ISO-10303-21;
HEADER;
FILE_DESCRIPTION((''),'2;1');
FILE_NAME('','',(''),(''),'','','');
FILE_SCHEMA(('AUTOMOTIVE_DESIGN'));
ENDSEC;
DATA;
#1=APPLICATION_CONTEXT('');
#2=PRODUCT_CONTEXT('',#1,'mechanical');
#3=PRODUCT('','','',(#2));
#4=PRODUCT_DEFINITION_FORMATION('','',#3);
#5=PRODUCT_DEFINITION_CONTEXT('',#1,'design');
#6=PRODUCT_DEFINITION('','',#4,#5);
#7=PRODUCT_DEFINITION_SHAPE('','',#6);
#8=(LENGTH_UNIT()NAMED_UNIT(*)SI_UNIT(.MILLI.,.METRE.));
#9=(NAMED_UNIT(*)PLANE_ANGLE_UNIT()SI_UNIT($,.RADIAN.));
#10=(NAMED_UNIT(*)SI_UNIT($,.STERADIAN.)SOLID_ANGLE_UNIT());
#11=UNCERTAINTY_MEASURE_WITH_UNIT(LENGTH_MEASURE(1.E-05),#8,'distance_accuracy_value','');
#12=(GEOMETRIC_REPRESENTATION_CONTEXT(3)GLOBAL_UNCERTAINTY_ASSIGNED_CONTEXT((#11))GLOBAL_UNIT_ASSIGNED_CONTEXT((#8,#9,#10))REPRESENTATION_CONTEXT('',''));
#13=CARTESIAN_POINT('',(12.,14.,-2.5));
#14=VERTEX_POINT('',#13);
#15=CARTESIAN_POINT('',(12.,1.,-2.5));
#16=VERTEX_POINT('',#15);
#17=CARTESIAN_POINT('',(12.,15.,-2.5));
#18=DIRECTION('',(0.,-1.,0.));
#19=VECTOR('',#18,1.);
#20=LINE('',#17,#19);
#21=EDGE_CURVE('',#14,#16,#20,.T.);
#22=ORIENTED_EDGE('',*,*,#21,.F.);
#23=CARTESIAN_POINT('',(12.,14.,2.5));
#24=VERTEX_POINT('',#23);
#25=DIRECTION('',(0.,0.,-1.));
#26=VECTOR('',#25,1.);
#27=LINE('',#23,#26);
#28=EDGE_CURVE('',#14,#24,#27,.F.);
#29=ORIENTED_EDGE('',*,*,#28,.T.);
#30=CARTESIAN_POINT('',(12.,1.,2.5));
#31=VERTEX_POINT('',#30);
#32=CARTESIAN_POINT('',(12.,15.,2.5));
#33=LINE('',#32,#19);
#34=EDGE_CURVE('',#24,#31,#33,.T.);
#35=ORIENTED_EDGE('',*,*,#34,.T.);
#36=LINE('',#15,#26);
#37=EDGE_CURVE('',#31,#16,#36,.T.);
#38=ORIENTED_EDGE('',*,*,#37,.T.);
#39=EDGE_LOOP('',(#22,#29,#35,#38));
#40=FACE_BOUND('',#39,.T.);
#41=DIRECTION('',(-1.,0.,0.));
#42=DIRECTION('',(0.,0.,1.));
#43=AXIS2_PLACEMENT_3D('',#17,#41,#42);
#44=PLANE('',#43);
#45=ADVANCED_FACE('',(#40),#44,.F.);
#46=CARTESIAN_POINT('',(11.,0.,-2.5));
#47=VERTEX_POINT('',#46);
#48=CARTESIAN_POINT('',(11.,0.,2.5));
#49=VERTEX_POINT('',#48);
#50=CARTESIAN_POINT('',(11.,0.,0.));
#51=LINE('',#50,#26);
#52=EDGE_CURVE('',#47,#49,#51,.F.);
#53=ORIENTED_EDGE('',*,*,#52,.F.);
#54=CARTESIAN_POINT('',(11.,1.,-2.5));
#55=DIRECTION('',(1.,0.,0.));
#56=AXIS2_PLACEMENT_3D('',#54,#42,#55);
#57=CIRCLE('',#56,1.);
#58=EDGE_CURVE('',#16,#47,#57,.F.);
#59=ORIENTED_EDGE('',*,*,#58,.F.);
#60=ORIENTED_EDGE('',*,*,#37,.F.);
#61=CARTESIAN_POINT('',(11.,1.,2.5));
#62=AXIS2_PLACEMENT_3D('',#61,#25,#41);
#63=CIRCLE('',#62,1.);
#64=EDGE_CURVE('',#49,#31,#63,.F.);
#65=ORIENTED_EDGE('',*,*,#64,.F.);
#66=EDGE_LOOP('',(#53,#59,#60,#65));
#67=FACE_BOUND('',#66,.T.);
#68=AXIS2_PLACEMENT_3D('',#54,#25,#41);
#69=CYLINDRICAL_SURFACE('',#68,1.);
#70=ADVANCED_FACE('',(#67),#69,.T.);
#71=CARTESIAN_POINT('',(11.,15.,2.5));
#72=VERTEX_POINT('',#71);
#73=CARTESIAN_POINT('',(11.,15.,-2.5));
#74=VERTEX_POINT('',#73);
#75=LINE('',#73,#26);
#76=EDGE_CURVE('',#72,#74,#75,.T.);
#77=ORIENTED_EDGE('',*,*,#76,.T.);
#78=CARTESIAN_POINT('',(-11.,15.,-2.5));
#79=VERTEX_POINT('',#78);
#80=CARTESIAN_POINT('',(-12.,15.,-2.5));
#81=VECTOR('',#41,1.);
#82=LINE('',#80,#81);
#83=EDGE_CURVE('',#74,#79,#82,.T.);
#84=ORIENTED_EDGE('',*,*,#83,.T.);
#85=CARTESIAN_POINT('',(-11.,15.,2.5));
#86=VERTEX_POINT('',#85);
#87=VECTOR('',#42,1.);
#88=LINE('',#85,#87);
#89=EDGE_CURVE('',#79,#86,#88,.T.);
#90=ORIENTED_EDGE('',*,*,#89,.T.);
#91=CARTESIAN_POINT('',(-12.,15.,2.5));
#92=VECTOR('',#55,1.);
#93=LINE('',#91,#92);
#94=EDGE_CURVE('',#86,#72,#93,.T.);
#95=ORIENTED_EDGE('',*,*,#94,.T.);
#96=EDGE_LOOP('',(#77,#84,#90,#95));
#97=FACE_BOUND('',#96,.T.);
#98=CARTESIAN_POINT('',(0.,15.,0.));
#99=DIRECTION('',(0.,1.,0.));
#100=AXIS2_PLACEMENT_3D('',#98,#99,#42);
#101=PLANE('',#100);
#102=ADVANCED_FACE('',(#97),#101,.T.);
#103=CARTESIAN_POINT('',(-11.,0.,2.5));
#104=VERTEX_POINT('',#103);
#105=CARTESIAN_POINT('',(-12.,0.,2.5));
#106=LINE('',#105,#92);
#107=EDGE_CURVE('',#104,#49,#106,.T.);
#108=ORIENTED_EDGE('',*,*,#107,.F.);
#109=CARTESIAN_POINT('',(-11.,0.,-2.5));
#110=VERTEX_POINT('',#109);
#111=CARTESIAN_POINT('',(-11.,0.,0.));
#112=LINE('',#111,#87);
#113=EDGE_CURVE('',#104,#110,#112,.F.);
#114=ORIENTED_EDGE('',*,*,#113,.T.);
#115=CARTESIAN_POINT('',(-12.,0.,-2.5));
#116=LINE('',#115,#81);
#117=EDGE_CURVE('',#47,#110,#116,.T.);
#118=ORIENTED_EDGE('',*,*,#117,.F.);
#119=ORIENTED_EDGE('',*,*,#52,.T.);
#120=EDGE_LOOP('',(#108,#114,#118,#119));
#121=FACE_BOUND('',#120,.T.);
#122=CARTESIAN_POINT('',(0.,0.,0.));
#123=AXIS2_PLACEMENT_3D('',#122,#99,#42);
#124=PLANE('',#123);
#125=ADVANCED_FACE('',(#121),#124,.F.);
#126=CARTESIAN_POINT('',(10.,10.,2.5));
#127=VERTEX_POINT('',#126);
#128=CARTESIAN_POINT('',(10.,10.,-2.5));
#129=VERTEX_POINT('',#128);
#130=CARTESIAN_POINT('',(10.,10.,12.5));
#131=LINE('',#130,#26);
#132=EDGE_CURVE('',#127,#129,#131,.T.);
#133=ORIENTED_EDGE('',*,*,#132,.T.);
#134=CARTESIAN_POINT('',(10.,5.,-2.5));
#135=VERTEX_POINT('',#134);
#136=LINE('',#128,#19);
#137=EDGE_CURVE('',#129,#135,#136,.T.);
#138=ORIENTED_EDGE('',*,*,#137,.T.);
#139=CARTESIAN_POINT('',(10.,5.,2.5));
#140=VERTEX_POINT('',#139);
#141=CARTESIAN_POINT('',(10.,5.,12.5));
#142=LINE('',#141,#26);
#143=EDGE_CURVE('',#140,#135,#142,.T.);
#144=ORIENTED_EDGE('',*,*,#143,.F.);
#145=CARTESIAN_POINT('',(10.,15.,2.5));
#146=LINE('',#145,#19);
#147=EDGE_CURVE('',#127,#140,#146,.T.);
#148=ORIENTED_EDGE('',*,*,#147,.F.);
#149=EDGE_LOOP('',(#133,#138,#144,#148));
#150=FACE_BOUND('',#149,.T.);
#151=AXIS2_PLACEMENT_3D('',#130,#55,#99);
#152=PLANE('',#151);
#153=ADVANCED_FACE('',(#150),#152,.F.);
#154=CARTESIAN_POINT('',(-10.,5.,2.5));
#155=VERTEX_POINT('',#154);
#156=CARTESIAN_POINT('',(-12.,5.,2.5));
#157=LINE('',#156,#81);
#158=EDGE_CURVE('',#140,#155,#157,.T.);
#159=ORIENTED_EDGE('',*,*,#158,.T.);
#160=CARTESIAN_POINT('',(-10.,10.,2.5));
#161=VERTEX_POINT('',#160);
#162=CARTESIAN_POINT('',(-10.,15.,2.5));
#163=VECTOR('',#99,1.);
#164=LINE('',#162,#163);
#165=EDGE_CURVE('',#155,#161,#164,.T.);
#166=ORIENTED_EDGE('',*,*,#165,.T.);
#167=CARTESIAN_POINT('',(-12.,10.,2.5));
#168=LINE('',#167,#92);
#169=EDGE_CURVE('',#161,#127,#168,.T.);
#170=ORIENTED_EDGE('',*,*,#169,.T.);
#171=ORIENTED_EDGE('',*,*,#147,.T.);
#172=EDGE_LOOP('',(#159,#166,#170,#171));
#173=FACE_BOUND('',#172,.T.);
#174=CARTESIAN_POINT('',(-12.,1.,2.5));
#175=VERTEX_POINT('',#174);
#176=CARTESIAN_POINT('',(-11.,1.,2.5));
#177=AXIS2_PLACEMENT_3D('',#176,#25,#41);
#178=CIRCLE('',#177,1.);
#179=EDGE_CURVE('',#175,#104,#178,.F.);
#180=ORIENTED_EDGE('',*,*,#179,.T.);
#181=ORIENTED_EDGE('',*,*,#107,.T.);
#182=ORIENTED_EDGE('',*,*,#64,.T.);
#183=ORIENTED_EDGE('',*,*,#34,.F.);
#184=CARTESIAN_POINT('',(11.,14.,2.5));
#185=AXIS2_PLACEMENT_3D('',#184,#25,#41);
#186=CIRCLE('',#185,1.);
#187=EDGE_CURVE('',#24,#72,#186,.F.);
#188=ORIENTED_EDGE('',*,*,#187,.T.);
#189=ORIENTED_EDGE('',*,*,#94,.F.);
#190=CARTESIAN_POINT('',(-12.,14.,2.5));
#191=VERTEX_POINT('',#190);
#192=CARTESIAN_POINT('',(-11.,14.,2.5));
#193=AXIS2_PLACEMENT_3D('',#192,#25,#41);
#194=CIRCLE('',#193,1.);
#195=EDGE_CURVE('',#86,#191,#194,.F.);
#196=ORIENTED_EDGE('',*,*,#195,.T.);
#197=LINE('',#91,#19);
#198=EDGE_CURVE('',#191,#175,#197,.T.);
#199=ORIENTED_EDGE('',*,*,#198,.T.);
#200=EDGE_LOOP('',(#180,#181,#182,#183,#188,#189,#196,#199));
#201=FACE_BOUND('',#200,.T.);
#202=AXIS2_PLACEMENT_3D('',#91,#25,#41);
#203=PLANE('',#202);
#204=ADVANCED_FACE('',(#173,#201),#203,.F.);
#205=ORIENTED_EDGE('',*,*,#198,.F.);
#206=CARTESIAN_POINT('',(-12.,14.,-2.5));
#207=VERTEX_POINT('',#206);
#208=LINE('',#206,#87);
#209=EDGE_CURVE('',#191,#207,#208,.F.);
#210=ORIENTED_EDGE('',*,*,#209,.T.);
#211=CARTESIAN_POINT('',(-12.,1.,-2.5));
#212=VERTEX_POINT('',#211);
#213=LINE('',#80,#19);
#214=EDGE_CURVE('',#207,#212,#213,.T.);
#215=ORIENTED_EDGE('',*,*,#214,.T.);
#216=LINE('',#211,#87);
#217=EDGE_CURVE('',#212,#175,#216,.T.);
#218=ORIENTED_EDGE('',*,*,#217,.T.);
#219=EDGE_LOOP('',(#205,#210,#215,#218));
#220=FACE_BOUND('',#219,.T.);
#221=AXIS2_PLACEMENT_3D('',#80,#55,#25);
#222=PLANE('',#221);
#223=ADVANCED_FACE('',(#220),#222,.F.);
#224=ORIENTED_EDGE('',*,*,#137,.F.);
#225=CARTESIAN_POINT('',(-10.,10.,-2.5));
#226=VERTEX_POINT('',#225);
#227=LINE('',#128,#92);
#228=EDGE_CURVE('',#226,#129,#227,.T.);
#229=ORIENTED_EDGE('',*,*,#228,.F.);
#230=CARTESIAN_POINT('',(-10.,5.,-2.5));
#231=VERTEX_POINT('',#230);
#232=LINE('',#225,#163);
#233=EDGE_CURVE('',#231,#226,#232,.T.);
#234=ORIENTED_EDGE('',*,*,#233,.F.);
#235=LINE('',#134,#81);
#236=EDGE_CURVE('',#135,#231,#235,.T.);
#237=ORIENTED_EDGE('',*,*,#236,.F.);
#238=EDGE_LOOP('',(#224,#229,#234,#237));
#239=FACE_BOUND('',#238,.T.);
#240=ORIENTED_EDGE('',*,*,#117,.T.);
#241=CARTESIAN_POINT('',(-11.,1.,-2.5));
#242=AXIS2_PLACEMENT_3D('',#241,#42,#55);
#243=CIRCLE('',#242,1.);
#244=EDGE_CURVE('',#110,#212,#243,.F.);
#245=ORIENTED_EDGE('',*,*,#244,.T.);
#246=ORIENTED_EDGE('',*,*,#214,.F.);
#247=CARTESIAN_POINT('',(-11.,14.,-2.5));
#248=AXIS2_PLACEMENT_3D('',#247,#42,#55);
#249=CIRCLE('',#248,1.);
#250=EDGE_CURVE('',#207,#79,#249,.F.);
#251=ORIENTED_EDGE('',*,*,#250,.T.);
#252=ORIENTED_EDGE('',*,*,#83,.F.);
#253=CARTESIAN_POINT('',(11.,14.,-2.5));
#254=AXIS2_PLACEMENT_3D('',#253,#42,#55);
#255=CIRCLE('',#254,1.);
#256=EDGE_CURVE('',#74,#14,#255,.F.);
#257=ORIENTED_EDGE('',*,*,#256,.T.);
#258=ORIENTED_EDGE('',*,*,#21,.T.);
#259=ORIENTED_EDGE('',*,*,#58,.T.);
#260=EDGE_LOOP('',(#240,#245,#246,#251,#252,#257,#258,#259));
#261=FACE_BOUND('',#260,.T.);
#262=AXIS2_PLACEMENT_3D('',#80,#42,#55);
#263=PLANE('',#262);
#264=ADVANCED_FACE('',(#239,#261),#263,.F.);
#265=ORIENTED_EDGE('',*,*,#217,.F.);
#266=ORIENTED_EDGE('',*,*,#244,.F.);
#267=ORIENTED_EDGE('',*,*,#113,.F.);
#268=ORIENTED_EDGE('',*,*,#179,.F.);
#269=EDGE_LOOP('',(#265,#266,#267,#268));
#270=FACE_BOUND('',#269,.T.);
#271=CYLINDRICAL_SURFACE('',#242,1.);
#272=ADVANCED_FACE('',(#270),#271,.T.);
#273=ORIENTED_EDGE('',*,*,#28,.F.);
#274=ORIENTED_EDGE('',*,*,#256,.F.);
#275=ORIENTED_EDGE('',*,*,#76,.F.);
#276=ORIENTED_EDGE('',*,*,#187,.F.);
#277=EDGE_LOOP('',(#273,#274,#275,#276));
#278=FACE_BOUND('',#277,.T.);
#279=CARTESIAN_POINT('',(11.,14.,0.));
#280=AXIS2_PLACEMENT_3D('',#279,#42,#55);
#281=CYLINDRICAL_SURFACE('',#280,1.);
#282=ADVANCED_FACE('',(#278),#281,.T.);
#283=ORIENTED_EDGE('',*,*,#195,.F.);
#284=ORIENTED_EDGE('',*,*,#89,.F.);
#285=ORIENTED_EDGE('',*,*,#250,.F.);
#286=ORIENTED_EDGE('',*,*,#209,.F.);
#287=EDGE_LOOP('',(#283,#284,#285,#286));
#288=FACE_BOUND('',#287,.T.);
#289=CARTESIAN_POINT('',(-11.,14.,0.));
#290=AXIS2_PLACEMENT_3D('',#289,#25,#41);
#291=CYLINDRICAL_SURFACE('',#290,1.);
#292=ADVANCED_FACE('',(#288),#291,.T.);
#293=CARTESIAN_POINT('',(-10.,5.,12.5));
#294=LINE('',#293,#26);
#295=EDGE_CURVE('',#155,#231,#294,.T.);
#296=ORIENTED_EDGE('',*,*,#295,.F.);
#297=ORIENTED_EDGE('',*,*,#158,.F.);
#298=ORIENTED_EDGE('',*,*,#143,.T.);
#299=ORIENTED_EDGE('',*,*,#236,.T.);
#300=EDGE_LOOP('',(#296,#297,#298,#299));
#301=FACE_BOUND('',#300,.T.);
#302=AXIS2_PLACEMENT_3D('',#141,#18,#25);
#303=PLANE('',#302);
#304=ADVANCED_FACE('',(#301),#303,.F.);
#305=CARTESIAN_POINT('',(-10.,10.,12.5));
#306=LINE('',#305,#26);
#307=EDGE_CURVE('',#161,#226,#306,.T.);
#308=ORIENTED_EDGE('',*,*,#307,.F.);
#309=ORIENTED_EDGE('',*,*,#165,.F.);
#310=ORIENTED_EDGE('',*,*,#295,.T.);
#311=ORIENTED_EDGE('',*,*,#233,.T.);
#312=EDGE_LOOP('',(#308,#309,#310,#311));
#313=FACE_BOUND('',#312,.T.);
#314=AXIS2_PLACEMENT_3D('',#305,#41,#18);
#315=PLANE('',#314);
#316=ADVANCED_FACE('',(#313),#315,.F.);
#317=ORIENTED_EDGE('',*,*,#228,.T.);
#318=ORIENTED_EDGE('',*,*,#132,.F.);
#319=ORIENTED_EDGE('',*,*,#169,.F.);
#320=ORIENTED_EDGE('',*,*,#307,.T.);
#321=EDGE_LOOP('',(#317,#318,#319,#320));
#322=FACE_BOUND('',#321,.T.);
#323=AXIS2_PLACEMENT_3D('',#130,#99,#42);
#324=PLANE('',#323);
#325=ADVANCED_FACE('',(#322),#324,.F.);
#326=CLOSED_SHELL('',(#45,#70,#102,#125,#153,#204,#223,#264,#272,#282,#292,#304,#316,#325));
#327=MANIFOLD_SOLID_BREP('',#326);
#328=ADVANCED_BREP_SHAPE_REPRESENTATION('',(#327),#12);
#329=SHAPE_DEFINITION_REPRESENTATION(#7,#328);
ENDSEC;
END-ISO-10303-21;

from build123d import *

# Parameters (mm, degrees)
SKETCH1_W           = 24
SKETCH1_H           = 5
BOSS_EXTRUDE1_DEPTH = 15
SKETCH2_W           = 20
SKETCH2_H           = 5
CUT_EXTRUDE1_DEPTH  = 15
FILLET2_R           = 1


with BuildPart() as part:
    # Sketch1 → Boss-Extrude1 (new body)
    with BuildSketch(Plane(origin=(0, 0, 0), x_dir=(1, 0, 0), z_dir=(0, 1, 0))):
        Rectangle(SKETCH1_W, SKETCH1_H)
    extrude(amount=BOSS_EXTRUDE1_DEPTH)

    # Sketch2 → Cut-Extrude1 (cut)
    with BuildSketch(Plane(origin=(0, 0, -2.5), x_dir=(-1, 0, 0), z_dir=(0, 0, -1))):
        with Locations((0, 7.5)):
            Rectangle(SKETCH2_W, SKETCH2_H)
    extrude(amount=-CUT_EXTRUDE1_DEPTH, mode=Mode.SUBTRACT)

    # Fillet2
    fillet2_edges = [part.edges().sort_by_distance(p)[0] for p in [
        (12, 15, 0),
        (-12, 15, 0),
        (12, 0, 0),
        (-12, 0, 0),
    ]]
    fillet(fillet2_edges, radius=FILLET2_R)


solid = part.part
